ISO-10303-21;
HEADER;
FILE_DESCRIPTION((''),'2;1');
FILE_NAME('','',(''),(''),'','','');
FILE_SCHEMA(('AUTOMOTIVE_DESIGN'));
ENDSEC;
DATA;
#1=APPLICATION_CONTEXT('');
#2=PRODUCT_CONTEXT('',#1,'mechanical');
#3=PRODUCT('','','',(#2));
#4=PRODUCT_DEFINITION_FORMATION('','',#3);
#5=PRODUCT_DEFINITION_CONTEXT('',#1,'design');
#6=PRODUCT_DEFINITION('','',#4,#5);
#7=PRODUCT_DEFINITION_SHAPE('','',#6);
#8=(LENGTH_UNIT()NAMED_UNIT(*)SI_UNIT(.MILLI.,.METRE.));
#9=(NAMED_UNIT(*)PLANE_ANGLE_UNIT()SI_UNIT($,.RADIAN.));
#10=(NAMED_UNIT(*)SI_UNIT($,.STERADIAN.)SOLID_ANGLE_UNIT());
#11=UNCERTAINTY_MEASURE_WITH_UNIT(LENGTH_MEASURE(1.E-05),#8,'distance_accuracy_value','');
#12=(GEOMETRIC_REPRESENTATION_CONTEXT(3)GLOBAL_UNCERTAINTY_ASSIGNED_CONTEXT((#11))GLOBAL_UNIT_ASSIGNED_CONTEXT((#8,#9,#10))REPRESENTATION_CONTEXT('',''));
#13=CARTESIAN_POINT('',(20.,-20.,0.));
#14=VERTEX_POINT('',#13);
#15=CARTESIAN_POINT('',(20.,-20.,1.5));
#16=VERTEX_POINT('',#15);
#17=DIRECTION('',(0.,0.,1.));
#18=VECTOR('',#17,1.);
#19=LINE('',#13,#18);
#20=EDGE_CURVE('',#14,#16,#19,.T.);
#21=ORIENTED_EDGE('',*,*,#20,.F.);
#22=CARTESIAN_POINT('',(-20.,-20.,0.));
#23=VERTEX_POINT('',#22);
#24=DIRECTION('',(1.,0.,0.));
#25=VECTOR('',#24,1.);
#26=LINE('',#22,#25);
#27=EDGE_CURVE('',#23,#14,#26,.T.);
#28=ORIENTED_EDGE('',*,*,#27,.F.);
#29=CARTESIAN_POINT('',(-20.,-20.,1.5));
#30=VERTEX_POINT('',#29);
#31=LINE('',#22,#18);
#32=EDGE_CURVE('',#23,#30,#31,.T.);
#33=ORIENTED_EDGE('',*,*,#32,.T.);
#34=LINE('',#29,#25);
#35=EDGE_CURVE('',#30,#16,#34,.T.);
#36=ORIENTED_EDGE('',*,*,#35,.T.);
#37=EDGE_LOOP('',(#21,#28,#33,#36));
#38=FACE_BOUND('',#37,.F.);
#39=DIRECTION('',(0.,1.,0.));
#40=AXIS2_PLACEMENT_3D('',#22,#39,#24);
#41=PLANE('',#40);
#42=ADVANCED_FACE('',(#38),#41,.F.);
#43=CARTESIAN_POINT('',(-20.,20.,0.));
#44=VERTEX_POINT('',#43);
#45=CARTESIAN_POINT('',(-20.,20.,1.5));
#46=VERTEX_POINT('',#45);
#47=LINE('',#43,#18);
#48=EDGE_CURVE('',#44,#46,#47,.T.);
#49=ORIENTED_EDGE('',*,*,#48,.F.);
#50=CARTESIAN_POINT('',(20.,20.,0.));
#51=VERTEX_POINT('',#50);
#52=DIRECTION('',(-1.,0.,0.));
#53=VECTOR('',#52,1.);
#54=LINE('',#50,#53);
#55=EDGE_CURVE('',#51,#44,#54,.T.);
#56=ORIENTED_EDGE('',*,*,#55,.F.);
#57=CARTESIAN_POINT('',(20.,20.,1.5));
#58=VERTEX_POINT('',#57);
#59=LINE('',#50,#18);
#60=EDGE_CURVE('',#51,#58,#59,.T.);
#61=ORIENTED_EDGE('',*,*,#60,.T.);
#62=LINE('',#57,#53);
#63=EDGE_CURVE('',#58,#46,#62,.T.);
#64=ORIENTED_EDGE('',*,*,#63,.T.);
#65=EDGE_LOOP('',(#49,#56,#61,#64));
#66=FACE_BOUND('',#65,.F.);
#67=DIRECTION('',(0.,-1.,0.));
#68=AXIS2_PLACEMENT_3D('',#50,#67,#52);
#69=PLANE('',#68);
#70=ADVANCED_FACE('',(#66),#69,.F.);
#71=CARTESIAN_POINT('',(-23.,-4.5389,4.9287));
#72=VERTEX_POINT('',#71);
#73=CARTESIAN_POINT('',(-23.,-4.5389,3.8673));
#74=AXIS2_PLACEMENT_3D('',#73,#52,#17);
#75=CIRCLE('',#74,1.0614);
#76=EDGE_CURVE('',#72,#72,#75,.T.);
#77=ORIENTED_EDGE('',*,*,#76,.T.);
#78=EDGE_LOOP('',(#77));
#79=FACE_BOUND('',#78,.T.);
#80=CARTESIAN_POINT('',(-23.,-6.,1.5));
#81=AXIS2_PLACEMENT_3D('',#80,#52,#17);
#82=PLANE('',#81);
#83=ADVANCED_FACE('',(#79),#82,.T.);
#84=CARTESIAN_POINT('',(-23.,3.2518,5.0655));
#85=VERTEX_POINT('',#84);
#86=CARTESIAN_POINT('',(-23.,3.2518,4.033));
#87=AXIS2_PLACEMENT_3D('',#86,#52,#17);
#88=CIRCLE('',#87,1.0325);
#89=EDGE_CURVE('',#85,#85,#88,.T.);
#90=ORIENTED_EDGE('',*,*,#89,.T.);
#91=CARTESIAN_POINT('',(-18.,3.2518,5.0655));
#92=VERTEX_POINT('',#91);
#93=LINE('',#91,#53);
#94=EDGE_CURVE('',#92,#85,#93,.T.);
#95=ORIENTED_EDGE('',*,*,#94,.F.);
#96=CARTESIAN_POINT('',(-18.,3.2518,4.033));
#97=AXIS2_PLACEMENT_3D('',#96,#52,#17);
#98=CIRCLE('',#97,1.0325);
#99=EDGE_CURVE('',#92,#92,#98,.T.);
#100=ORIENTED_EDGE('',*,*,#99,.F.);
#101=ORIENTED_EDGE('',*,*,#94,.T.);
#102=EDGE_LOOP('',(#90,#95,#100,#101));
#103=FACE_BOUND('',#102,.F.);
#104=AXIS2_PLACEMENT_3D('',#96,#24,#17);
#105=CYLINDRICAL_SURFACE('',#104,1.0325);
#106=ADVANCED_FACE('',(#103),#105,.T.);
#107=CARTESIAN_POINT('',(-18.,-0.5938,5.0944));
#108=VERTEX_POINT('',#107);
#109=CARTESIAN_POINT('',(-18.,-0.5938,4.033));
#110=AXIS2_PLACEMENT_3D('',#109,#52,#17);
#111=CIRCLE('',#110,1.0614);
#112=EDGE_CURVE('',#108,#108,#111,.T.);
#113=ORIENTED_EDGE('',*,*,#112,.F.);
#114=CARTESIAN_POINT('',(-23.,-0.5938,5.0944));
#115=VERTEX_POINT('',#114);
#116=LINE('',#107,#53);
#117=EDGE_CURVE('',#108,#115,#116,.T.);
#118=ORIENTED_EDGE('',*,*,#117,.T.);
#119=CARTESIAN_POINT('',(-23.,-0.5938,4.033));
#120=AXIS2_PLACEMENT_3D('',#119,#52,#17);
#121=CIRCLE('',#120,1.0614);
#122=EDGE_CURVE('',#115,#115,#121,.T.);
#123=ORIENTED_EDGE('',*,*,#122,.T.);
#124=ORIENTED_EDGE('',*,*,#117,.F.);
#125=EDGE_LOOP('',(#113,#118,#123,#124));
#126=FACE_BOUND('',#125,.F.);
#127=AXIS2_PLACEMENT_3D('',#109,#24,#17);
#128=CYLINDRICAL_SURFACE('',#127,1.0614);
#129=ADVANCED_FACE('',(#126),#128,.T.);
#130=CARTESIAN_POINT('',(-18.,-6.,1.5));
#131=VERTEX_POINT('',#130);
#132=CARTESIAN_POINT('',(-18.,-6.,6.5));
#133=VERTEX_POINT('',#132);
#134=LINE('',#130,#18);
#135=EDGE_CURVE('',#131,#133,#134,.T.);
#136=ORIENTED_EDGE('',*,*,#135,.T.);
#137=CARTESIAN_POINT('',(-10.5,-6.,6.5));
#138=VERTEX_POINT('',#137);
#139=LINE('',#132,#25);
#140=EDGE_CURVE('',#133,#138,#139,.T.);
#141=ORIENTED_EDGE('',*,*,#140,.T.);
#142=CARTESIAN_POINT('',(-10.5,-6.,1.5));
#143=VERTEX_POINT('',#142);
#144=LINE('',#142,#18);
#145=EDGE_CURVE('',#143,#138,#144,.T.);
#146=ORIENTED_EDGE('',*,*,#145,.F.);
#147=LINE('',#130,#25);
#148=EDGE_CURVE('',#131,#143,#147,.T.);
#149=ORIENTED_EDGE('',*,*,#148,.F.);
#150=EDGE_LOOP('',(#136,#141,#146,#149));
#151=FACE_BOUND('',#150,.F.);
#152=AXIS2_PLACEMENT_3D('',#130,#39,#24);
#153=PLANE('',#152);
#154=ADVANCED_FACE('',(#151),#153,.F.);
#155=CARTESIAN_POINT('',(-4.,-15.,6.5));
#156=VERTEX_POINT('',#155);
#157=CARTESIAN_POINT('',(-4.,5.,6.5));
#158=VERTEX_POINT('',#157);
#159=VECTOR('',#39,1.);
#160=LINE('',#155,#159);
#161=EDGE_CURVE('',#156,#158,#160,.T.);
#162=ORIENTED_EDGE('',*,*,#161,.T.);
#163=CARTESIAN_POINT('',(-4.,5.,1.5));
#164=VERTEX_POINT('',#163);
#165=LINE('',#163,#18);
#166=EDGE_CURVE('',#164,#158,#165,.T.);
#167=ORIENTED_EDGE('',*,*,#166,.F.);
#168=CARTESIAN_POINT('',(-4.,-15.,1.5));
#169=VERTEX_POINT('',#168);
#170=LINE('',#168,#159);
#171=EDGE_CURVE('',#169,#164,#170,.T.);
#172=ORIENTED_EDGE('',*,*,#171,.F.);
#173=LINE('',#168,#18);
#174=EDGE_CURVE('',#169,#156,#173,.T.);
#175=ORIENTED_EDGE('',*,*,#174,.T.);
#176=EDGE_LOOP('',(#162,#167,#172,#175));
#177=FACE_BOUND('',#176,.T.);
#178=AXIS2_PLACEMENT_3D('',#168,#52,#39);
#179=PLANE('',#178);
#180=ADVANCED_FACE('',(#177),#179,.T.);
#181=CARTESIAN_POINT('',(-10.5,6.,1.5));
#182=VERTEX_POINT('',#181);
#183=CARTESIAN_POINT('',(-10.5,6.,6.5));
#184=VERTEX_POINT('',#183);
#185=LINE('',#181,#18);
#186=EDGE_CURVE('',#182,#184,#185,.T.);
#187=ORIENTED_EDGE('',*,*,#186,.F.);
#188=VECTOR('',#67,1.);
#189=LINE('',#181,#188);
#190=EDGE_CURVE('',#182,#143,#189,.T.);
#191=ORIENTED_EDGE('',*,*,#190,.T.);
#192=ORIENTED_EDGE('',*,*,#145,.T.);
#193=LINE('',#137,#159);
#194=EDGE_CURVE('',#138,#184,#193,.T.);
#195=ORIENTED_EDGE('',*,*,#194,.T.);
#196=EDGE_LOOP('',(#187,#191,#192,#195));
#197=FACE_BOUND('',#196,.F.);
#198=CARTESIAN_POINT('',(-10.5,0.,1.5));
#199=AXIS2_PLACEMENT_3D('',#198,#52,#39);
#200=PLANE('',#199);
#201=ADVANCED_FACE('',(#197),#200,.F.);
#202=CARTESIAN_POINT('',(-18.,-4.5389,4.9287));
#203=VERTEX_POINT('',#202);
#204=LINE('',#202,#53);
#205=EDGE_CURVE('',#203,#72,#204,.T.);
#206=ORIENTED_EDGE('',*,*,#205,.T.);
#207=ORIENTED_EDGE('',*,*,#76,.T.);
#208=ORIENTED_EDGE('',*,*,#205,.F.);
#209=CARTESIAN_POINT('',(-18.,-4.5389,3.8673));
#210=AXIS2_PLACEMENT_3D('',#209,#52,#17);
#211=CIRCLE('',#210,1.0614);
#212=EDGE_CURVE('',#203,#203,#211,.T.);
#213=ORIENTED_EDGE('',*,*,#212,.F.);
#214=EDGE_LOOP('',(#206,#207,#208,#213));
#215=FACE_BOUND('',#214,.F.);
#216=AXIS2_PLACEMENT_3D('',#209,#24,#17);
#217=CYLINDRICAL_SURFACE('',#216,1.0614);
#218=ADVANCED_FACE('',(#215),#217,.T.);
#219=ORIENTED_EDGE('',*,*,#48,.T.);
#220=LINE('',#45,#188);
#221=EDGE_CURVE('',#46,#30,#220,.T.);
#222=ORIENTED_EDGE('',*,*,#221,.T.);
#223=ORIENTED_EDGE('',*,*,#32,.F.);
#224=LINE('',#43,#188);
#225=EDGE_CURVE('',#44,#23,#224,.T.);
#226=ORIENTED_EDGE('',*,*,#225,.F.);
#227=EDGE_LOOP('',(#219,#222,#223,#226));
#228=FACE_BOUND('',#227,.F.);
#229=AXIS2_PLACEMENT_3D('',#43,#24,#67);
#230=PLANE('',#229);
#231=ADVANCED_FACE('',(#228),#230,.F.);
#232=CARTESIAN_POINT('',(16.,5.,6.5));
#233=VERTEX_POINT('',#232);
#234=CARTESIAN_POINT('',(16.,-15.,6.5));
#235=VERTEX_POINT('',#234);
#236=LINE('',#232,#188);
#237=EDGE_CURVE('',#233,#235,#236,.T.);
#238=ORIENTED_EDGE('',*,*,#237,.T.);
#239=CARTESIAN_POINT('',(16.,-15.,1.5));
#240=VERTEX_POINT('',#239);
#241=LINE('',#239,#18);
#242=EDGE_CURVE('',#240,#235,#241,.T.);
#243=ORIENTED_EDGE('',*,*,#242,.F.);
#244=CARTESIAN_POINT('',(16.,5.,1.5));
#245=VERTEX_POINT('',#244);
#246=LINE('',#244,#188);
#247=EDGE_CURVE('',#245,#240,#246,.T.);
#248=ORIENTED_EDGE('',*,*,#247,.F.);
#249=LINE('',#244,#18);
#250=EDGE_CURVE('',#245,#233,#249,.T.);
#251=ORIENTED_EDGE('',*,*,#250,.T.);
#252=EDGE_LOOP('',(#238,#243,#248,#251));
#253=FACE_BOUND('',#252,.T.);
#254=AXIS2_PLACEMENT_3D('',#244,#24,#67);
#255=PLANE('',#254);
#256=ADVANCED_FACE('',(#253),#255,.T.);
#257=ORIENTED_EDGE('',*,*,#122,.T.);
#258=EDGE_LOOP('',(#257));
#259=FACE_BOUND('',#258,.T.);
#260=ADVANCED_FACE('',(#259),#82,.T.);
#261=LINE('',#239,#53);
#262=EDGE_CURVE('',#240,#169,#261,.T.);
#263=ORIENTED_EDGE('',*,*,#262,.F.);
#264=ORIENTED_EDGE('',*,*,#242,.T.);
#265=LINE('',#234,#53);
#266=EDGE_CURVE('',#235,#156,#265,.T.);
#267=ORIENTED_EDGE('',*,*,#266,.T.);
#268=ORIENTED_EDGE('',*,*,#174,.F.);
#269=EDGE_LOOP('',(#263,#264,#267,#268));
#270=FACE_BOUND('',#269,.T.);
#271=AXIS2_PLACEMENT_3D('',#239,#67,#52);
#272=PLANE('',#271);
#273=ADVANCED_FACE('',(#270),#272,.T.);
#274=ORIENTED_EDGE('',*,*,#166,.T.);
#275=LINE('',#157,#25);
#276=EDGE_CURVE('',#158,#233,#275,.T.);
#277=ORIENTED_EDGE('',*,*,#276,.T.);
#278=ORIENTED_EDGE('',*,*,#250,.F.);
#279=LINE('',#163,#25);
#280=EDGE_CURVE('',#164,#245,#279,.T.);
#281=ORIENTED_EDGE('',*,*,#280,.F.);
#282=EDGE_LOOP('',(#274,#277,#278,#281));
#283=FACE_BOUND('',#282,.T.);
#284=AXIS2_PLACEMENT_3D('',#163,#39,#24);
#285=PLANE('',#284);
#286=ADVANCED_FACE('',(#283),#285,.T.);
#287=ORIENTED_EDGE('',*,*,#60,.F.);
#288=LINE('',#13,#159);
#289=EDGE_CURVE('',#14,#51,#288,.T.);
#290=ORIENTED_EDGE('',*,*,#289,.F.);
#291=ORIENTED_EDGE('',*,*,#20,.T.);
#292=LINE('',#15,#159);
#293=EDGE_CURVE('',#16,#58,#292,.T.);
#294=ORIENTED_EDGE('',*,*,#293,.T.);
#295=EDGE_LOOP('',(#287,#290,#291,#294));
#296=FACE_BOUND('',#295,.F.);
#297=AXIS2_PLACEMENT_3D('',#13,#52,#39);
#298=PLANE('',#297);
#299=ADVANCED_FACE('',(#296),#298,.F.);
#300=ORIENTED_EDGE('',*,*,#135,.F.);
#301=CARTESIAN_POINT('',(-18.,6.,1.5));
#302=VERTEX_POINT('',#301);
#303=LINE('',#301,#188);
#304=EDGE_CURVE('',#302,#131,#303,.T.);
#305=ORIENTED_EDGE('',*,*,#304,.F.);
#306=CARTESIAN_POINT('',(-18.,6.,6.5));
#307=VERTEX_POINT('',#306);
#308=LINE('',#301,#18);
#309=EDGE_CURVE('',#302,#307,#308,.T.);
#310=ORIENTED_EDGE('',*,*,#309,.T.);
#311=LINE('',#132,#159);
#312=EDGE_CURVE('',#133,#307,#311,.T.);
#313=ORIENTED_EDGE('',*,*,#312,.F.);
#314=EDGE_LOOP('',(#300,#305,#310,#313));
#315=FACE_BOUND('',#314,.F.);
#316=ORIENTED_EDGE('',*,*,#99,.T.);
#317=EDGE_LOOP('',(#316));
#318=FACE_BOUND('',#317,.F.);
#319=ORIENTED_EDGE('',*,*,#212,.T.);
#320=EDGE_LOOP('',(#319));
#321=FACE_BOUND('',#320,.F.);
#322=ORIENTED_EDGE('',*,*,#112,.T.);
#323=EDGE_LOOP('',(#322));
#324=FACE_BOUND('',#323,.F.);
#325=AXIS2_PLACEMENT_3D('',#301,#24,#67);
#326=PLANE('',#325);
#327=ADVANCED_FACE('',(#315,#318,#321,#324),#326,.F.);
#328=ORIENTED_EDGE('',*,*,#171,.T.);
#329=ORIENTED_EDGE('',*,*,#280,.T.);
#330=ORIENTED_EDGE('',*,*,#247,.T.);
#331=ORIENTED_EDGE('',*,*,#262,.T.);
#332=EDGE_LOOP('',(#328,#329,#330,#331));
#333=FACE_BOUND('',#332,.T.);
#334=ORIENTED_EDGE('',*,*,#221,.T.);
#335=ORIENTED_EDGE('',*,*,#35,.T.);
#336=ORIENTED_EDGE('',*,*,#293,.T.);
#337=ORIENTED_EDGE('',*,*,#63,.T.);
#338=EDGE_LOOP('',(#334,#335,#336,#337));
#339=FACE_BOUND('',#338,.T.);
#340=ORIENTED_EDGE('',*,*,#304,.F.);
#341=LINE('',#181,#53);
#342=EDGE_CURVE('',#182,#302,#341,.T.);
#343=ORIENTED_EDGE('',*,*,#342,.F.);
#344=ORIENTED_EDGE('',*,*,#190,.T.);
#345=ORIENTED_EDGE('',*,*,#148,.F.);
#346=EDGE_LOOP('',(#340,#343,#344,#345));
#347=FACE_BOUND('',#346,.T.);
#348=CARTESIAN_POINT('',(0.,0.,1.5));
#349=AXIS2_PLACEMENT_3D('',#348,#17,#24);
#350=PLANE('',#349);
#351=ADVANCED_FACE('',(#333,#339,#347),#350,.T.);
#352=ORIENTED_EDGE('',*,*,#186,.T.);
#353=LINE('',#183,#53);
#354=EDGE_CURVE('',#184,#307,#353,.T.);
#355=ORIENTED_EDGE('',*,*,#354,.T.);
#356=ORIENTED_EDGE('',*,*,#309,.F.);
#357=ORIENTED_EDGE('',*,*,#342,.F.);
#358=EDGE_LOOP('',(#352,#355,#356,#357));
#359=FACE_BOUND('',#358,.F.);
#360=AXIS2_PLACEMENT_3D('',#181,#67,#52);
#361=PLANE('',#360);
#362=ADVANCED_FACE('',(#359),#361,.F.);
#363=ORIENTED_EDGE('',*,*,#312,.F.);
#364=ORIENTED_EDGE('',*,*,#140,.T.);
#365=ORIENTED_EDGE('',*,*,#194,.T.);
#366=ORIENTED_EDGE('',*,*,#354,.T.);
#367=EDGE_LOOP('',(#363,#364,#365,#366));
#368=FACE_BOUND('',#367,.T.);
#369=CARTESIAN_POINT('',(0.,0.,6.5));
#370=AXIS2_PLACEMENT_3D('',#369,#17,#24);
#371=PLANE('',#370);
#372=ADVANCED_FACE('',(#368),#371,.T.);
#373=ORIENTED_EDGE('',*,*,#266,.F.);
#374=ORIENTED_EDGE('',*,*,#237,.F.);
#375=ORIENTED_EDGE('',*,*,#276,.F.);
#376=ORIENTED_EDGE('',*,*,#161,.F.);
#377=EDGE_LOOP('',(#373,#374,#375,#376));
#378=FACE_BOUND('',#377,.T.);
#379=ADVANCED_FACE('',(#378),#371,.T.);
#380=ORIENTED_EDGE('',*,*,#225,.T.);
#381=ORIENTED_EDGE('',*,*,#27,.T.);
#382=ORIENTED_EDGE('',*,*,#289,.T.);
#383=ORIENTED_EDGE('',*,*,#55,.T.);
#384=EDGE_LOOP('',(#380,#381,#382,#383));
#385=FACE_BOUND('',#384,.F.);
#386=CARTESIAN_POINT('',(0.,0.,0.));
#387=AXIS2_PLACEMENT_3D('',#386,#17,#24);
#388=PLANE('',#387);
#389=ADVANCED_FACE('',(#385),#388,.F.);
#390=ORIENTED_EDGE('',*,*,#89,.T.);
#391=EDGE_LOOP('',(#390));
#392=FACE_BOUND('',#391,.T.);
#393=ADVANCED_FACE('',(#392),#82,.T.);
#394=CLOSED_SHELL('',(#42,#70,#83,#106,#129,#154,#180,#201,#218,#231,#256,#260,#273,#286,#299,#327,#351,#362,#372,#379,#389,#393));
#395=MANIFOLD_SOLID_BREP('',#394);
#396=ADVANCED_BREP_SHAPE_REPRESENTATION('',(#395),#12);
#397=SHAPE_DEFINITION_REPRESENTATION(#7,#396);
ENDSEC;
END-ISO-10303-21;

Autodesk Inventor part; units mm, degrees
ref_plane "YZ Plane" through (0, 0, 0) normal (1, 0, 0) x (0, 1, 0)
ref_plane "XZ Plane" through (0, 0, 0) normal (0, 1, 0) x (-1, 0, 0)
ref_plane "XY Plane" through (0, 0, 0) normal (0, 0, 1) x (1, 0, 0)
sketch "Sketch1" plane through (0, 0, 0) normal (0, 0, 1) x (1, 0, 0)
  line L0 (-20, -20) -> (20, -20)
  line L1 (20, -20) -> (20, 20)
  line L2 (20, 20) -> (-20, 20)
  line L3 (-20, 20) -> (-20, -20)
  line L4 (-20, -20) -> (20, 20) construction
  line L5 (20, -20) -> (-20, 20) construction
  point P0 (0, 0)
  dimension "d0" = 40
  dimension "d1" = 40
extrude "Extrusion1" add sketch "Sketch1" along normal blind 1.5
sketch "Sketch2" plane through (0, 0, 1.5) normal (0, 0, 1) x (1, 0, 0)
  line L0 (-28, 0) -> (28, 0) projected
  line L1 (-18, -6) -> (-10.5, -6)
  line L2 (-10.5, -6) -> (-10.5, 6)
  line L3 (-10.5, 6) -> (-18, 6)
  line L4 (-18, 6) -> (-18, -6)
  line L5 (-18, -6) -> (-10.5, 6) construction
  line L6 (-10.5, -6) -> (-18, 6) construction
  line L7 (-20, 20) -> (-20, -20) projected
  point P0 (0, 0)
  point P1 (-14.25, 0)
  dimension "d4" = 7.5
  dimension "d5" = 12
  dimension "d6" = 2
extrude "Extrusion2" add sketch "Sketch2" along normal blind 5
sketch "Sketch3" plane through (0, 0, 1.5) normal (0, 0, 1) x (1, 0, 0)
  line L0 (16, -15) -> (-4, -15)
  line L1 (-4, -15) -> (-4, 5)
  line L2 (-4, 5) -> (16, 5)
  line L3 (16, 5) -> (16, -15)
  line L4 (20, -20) -> (20, 20) projected
  line L5 (-20, -20) -> (20, -20) projected
  point P0 (0, 0)
  dimension "d9" = 4
  dimension "d10" = 5
  dimension "d11" = 20
  dimension "d12" = 20
extrude "Extrusion3" add sketch "Sketch3" along normal blind 5
sketch "Sketch4" plane through (-18, -6, 1.5) normal (-1, 0, 0) x (0, 0, 1)
  circle A0 centre (2.533, 9.2518) radius 1.0325
  circle A1 centre (2.533, 5.4062) radius 1.0614
  circle A2 centre (2.3673, 1.4611) radius 1.0614
  point P0 (-1.5, 6)
extrude "Extrusion4" add sketch "Sketch4" along normal blind 5
properties part number "oledlcd"
